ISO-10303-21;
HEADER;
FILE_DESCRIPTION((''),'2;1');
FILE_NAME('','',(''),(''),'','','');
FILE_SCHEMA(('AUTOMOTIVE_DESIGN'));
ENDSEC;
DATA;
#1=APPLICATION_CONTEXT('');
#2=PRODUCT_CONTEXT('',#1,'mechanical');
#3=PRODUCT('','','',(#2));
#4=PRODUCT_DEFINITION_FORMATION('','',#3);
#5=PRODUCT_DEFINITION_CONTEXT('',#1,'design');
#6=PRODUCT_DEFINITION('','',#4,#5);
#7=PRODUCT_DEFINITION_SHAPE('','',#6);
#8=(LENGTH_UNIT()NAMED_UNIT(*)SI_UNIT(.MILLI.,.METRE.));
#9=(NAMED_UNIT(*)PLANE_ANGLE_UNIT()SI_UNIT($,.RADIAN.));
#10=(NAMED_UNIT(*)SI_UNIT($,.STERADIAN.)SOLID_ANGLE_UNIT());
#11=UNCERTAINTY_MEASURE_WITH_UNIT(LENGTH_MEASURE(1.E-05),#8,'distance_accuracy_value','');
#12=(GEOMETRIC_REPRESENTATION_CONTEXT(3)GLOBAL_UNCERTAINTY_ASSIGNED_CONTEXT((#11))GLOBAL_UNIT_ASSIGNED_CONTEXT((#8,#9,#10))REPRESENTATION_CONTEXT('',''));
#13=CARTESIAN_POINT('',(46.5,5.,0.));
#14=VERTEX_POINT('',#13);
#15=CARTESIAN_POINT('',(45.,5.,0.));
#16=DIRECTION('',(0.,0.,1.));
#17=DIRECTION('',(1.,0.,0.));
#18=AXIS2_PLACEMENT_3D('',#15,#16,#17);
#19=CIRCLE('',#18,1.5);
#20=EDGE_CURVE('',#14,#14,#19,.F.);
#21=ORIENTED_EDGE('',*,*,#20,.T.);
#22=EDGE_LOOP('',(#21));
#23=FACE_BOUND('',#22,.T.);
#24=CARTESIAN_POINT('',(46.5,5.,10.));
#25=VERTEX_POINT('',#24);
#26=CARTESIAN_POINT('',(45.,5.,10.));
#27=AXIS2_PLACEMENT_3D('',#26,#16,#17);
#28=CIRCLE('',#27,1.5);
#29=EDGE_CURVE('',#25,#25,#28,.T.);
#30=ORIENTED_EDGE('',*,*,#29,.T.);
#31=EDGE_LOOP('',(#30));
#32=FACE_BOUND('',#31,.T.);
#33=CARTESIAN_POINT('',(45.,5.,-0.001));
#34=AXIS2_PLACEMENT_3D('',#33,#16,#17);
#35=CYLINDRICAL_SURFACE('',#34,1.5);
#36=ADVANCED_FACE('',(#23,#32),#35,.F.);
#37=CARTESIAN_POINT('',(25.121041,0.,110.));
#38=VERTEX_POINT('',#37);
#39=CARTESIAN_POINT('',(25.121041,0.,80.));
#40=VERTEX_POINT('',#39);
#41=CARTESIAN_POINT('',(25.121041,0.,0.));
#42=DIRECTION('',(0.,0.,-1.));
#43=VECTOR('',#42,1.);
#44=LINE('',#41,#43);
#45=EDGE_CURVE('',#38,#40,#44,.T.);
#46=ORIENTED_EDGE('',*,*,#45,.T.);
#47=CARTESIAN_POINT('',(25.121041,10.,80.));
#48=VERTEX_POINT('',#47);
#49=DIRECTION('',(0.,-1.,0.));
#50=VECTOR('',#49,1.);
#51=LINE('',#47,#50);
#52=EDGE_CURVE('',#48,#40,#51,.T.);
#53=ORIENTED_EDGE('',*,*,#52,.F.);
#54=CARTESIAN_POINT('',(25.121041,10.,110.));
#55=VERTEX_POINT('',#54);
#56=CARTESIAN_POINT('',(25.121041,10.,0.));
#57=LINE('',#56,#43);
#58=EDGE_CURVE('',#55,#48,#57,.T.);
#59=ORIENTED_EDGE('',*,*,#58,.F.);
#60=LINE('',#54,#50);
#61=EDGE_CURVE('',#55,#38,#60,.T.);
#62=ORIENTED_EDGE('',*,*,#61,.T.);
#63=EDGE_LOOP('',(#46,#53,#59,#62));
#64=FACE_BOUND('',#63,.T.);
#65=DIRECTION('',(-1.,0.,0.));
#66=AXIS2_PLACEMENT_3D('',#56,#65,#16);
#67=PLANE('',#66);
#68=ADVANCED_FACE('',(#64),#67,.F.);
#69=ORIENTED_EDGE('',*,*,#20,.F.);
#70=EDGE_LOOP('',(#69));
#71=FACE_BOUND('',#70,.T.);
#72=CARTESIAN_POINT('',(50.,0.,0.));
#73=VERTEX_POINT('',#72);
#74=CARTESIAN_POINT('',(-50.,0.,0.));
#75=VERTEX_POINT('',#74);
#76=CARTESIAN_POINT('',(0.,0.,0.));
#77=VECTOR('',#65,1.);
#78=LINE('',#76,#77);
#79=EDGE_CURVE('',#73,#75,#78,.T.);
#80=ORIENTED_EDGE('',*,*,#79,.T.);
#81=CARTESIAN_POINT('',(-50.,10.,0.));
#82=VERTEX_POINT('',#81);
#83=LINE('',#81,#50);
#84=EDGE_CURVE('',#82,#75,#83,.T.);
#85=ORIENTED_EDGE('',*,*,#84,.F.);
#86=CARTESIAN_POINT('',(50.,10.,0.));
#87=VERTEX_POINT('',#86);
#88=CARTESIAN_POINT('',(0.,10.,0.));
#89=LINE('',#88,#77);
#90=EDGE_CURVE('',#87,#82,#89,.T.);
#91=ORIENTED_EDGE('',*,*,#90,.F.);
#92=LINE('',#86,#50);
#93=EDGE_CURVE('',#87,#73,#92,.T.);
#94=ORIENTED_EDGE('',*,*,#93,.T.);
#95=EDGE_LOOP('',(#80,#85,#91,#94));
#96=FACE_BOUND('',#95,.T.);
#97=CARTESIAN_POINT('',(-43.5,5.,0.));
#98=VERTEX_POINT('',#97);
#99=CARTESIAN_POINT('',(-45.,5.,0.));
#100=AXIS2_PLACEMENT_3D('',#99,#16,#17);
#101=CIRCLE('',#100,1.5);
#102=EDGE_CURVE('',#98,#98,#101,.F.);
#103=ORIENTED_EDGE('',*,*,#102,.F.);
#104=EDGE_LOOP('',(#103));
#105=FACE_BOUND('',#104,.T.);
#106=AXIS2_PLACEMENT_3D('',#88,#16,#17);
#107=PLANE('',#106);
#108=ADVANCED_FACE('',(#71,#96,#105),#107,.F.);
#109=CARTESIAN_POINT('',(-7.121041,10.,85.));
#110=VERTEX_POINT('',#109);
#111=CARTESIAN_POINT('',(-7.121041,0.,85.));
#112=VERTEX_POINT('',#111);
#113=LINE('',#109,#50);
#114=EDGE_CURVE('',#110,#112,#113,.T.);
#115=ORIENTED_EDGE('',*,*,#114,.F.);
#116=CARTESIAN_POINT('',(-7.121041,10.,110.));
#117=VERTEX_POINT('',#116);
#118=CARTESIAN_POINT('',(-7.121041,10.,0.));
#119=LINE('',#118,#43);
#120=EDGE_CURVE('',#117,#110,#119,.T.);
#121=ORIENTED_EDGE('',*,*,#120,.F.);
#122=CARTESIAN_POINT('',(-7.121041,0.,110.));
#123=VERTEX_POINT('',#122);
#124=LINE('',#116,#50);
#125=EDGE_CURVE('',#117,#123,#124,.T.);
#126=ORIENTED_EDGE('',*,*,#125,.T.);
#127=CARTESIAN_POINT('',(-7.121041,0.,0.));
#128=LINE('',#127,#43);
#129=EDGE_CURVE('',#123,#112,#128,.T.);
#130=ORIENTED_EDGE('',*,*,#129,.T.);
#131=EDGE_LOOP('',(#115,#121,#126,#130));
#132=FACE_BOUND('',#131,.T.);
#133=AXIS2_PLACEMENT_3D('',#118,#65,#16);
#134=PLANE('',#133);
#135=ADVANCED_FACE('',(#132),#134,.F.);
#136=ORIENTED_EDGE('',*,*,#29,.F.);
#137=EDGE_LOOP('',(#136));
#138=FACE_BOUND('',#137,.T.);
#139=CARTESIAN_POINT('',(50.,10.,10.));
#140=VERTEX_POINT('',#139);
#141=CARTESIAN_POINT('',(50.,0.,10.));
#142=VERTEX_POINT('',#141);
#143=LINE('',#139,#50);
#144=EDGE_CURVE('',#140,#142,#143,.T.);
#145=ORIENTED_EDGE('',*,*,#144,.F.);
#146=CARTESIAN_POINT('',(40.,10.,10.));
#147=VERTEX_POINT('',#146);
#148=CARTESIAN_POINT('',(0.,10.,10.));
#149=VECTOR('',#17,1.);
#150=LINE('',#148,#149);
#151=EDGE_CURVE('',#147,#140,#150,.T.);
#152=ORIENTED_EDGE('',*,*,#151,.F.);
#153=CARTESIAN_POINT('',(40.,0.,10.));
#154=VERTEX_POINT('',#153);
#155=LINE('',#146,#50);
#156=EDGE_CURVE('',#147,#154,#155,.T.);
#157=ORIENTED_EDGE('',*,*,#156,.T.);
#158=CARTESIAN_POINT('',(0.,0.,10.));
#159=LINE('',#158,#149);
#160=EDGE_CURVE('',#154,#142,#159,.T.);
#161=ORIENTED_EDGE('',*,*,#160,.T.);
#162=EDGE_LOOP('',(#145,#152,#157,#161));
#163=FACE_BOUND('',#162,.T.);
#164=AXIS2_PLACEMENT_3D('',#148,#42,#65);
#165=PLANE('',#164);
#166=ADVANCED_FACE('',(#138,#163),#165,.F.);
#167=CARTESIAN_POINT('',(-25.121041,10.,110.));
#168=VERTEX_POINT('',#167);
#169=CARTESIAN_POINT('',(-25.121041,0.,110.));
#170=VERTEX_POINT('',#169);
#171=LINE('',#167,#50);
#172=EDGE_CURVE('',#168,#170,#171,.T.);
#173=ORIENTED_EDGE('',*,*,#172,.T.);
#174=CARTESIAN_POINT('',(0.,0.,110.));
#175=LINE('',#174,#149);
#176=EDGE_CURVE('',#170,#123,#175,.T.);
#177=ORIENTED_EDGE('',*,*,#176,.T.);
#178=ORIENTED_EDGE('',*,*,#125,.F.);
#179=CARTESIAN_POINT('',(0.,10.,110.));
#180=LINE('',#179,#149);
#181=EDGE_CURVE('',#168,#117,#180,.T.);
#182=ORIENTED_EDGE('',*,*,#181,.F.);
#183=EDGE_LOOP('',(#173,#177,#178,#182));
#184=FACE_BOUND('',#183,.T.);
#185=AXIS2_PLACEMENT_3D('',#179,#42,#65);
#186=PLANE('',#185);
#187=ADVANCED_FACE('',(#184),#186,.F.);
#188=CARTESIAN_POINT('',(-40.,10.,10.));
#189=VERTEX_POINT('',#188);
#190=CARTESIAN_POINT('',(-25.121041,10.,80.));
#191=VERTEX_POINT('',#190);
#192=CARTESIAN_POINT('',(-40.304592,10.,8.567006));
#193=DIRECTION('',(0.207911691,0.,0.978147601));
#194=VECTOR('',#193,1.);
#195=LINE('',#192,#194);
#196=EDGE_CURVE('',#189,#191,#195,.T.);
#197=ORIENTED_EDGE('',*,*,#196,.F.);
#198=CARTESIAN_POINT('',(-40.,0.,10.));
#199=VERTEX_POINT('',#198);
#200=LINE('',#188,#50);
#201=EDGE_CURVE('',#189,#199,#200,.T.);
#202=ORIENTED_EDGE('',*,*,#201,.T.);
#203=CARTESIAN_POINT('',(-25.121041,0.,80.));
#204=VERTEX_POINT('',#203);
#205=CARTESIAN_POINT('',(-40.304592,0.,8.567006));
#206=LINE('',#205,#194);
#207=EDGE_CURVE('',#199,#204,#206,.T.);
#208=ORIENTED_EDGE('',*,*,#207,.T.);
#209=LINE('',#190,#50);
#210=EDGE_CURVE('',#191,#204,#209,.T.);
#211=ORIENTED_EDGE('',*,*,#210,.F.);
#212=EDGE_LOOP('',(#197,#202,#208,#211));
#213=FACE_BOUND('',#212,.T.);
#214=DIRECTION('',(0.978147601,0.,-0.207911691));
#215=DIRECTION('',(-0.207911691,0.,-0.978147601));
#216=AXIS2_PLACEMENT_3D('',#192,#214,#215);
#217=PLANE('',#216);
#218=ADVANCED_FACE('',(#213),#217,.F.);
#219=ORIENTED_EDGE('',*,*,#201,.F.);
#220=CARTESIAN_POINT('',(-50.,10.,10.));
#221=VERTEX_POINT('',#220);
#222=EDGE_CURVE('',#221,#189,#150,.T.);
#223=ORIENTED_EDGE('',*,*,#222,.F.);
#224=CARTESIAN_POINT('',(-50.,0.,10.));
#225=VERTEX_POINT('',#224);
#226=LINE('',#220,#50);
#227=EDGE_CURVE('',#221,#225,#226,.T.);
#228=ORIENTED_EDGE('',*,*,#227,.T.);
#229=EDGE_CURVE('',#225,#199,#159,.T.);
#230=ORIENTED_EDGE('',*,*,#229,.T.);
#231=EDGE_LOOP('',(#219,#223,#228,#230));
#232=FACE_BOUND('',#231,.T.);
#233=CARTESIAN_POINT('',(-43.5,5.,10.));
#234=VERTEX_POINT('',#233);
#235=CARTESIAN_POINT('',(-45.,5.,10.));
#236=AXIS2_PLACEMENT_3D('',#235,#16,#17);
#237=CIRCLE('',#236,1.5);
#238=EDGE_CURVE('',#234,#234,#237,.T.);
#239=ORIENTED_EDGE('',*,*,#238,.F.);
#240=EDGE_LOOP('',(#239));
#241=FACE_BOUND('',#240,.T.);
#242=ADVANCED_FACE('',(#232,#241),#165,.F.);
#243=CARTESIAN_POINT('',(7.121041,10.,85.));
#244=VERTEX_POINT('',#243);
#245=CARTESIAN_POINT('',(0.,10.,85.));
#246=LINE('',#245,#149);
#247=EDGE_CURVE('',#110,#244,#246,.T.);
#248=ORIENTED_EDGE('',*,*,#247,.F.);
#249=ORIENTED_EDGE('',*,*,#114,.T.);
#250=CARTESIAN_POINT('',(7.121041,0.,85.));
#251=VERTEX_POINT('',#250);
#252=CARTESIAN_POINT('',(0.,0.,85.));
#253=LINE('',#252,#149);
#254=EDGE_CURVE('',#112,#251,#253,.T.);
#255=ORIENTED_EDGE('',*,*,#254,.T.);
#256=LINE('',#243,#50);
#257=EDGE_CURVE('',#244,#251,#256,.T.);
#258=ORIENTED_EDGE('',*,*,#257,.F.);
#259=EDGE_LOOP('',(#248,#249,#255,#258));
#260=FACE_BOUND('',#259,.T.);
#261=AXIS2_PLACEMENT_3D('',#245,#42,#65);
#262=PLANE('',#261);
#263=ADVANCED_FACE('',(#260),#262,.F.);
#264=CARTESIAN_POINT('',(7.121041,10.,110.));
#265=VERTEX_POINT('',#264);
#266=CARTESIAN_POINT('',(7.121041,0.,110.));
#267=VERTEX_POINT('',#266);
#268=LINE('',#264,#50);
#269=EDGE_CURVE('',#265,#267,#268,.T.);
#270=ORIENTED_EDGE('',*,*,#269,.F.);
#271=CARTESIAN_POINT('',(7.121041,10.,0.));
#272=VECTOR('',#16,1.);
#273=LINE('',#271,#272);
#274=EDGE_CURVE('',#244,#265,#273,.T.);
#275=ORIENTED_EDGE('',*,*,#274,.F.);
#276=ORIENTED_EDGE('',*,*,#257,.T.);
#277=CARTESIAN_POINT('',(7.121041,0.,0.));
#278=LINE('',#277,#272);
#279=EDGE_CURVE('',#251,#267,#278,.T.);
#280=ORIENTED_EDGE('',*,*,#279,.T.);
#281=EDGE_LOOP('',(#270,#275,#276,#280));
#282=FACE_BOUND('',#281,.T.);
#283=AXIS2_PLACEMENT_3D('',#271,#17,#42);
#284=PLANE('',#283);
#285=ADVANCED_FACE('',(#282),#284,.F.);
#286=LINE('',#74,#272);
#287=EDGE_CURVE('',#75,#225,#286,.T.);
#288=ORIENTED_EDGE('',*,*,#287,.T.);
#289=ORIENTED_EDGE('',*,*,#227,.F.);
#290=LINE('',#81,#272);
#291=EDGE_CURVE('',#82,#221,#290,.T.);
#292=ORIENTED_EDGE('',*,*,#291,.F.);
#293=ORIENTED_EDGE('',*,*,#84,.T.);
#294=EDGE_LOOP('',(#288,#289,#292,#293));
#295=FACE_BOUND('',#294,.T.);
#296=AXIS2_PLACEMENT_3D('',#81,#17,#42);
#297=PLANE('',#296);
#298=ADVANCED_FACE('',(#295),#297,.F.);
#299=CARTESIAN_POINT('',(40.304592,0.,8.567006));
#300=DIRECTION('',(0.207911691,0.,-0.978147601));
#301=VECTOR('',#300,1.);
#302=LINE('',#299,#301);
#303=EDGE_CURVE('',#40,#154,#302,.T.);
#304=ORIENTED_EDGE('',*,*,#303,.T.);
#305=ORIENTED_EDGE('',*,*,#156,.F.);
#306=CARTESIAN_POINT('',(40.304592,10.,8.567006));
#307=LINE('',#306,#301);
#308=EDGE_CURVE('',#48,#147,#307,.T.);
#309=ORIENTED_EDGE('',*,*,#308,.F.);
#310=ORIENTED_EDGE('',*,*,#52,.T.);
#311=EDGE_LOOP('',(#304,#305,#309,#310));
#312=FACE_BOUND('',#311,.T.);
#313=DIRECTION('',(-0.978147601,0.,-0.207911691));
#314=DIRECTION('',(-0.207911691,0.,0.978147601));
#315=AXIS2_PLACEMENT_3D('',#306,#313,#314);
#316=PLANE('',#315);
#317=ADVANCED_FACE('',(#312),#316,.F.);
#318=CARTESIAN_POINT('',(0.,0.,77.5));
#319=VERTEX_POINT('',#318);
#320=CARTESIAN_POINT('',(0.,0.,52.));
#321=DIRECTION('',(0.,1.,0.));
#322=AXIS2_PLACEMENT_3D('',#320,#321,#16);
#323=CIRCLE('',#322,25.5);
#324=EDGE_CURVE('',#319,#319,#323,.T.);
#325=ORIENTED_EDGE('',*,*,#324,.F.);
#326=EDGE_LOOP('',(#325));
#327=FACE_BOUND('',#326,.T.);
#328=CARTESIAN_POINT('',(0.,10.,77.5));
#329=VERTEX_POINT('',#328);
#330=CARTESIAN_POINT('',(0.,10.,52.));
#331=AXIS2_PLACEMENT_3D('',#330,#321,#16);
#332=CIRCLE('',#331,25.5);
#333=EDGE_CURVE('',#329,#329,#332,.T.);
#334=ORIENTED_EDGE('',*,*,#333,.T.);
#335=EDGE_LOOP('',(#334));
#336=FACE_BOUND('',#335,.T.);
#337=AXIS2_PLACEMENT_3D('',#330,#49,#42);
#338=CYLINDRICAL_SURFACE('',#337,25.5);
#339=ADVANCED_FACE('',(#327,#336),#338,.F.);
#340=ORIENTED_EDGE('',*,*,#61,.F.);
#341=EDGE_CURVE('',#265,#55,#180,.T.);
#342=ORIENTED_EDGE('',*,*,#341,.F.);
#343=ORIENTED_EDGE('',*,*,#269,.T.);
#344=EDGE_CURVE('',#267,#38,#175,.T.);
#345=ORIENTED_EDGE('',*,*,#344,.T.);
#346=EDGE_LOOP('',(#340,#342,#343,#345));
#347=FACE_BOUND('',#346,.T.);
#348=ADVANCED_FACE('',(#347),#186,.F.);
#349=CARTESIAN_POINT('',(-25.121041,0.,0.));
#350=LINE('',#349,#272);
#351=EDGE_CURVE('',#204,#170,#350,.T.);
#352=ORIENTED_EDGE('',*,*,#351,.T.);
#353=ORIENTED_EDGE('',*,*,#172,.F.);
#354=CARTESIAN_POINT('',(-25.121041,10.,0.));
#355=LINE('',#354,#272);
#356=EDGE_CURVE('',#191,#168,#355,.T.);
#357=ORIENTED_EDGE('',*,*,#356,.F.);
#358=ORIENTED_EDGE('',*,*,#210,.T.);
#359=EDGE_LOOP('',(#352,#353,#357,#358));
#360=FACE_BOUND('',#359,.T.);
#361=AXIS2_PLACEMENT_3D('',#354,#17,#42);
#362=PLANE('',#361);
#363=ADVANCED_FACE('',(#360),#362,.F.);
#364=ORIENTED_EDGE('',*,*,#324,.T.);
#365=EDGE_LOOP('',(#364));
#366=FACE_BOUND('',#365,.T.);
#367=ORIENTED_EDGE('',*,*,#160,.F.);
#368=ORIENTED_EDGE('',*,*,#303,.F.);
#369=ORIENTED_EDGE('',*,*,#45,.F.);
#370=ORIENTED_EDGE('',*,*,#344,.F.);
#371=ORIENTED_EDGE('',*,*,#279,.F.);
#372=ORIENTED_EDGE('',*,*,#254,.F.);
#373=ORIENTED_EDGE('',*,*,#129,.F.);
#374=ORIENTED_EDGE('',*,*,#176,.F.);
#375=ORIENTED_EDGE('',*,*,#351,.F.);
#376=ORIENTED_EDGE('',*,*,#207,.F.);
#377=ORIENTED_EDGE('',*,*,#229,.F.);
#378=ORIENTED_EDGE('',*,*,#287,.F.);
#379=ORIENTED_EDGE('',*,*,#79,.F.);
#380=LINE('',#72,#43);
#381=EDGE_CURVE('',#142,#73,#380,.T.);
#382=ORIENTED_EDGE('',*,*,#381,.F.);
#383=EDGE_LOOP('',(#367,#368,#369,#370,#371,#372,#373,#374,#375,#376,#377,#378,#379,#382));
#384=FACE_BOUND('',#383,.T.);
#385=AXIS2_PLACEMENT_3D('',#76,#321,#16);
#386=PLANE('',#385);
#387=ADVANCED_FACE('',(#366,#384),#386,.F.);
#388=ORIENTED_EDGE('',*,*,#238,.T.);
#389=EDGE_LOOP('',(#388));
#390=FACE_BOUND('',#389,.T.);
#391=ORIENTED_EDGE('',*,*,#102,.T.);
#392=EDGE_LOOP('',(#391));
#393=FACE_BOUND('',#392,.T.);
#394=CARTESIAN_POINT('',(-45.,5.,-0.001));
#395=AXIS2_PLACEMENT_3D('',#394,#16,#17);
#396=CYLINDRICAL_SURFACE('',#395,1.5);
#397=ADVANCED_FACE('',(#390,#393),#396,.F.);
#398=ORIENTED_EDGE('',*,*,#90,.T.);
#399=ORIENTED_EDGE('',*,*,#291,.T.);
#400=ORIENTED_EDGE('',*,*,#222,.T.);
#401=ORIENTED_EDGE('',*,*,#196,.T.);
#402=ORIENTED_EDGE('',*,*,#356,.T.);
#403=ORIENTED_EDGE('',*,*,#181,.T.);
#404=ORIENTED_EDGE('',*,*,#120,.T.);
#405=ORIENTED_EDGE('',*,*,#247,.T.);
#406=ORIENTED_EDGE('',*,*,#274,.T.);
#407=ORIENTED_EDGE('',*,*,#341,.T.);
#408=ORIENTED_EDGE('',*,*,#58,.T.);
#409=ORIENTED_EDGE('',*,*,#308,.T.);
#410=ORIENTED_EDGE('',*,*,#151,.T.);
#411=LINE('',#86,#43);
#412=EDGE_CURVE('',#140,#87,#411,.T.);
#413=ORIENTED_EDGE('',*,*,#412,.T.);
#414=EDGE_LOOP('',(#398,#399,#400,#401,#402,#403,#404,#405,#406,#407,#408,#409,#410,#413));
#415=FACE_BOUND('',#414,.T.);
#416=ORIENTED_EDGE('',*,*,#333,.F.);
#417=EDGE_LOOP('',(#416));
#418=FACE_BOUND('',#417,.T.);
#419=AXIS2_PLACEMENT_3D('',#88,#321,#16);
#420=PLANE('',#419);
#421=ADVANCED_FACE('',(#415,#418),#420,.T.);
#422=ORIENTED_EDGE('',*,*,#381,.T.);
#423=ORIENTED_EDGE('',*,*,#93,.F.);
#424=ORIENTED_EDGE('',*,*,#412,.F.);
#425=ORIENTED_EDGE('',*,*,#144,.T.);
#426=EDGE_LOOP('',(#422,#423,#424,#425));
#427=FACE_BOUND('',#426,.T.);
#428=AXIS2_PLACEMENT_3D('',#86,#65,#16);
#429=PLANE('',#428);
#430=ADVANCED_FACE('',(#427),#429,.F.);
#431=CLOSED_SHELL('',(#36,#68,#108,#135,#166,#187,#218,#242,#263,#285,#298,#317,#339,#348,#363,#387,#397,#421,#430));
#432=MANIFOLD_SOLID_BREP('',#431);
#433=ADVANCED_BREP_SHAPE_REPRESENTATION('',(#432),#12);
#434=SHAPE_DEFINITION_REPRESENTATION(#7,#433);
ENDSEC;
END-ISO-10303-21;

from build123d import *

# Parameters (mm, degrees)
CROQUIS1_R              = 25.5
SALIENTE_EXTRUIR1_DEPTH = 10
CORTAR_EXTRUIR1_REACH   = 12
CROQUIS2_R              = 1.5


with BuildPart() as part:
    # Croquis1 → Saliente-Extruir1 (new body)
    with BuildSketch(Plane(origin=(0, 0, 0), x_dir=(1, 0, 0), z_dir=(0, 1, 0))):
        Polygon((40, -10), (50, -10), (50, 0), (-50, 0), (-50, -10), (-40, -10), (-25.121040683, -80), (-25.121040683, -110), (-7.121040683, -110), (-7.121040683, -85), (7.121040683, -85), (7.121040683, -110), (25.121040683, -110), (25.121040683, -80), align=None)
        with Locations((0, -52)):
            Circle(CROQUIS1_R, mode=Mode.SUBTRACT)
    extrude(amount=SALIENTE_EXTRUIR1_DEPTH)

    # Croquis2 → Cortar-Extruir1 (cut, up to next)
    with BuildSketch(Plane.XY.offset(10), mode=Mode.PRIVATE) as cortar_extruir1_sk1:
        with Locations((-45, 5)):
            Circle(CROQUIS2_R)
    cortar_extruir1_tool1 = extrude(cortar_extruir1_sk1.sketch, amount=-CORTAR_EXTRUIR1_REACH, mode=Mode.PRIVATE) & part.part
    add(cortar_extruir1_tool1.solids().sort_by_distance((-45, 5, 10))[0], mode=Mode.SUBTRACT)
    # Croquis2 → Cortar-Extruir1 (cut, up to next)
    with BuildSketch(Plane.XY.offset(10), mode=Mode.PRIVATE) as cortar_extruir1_sk2:
        with Locations((45, 5)):
            Circle(CROQUIS2_R)
    cortar_extruir1_tool2 = extrude(cortar_extruir1_sk2.sketch, amount=-CORTAR_EXTRUIR1_REACH, mode=Mode.PRIVATE) & part.part
    add(cortar_extruir1_tool2.solids().sort_by_distance((45, 5, 10))[0], mode=Mode.SUBTRACT)


solid = part.part
